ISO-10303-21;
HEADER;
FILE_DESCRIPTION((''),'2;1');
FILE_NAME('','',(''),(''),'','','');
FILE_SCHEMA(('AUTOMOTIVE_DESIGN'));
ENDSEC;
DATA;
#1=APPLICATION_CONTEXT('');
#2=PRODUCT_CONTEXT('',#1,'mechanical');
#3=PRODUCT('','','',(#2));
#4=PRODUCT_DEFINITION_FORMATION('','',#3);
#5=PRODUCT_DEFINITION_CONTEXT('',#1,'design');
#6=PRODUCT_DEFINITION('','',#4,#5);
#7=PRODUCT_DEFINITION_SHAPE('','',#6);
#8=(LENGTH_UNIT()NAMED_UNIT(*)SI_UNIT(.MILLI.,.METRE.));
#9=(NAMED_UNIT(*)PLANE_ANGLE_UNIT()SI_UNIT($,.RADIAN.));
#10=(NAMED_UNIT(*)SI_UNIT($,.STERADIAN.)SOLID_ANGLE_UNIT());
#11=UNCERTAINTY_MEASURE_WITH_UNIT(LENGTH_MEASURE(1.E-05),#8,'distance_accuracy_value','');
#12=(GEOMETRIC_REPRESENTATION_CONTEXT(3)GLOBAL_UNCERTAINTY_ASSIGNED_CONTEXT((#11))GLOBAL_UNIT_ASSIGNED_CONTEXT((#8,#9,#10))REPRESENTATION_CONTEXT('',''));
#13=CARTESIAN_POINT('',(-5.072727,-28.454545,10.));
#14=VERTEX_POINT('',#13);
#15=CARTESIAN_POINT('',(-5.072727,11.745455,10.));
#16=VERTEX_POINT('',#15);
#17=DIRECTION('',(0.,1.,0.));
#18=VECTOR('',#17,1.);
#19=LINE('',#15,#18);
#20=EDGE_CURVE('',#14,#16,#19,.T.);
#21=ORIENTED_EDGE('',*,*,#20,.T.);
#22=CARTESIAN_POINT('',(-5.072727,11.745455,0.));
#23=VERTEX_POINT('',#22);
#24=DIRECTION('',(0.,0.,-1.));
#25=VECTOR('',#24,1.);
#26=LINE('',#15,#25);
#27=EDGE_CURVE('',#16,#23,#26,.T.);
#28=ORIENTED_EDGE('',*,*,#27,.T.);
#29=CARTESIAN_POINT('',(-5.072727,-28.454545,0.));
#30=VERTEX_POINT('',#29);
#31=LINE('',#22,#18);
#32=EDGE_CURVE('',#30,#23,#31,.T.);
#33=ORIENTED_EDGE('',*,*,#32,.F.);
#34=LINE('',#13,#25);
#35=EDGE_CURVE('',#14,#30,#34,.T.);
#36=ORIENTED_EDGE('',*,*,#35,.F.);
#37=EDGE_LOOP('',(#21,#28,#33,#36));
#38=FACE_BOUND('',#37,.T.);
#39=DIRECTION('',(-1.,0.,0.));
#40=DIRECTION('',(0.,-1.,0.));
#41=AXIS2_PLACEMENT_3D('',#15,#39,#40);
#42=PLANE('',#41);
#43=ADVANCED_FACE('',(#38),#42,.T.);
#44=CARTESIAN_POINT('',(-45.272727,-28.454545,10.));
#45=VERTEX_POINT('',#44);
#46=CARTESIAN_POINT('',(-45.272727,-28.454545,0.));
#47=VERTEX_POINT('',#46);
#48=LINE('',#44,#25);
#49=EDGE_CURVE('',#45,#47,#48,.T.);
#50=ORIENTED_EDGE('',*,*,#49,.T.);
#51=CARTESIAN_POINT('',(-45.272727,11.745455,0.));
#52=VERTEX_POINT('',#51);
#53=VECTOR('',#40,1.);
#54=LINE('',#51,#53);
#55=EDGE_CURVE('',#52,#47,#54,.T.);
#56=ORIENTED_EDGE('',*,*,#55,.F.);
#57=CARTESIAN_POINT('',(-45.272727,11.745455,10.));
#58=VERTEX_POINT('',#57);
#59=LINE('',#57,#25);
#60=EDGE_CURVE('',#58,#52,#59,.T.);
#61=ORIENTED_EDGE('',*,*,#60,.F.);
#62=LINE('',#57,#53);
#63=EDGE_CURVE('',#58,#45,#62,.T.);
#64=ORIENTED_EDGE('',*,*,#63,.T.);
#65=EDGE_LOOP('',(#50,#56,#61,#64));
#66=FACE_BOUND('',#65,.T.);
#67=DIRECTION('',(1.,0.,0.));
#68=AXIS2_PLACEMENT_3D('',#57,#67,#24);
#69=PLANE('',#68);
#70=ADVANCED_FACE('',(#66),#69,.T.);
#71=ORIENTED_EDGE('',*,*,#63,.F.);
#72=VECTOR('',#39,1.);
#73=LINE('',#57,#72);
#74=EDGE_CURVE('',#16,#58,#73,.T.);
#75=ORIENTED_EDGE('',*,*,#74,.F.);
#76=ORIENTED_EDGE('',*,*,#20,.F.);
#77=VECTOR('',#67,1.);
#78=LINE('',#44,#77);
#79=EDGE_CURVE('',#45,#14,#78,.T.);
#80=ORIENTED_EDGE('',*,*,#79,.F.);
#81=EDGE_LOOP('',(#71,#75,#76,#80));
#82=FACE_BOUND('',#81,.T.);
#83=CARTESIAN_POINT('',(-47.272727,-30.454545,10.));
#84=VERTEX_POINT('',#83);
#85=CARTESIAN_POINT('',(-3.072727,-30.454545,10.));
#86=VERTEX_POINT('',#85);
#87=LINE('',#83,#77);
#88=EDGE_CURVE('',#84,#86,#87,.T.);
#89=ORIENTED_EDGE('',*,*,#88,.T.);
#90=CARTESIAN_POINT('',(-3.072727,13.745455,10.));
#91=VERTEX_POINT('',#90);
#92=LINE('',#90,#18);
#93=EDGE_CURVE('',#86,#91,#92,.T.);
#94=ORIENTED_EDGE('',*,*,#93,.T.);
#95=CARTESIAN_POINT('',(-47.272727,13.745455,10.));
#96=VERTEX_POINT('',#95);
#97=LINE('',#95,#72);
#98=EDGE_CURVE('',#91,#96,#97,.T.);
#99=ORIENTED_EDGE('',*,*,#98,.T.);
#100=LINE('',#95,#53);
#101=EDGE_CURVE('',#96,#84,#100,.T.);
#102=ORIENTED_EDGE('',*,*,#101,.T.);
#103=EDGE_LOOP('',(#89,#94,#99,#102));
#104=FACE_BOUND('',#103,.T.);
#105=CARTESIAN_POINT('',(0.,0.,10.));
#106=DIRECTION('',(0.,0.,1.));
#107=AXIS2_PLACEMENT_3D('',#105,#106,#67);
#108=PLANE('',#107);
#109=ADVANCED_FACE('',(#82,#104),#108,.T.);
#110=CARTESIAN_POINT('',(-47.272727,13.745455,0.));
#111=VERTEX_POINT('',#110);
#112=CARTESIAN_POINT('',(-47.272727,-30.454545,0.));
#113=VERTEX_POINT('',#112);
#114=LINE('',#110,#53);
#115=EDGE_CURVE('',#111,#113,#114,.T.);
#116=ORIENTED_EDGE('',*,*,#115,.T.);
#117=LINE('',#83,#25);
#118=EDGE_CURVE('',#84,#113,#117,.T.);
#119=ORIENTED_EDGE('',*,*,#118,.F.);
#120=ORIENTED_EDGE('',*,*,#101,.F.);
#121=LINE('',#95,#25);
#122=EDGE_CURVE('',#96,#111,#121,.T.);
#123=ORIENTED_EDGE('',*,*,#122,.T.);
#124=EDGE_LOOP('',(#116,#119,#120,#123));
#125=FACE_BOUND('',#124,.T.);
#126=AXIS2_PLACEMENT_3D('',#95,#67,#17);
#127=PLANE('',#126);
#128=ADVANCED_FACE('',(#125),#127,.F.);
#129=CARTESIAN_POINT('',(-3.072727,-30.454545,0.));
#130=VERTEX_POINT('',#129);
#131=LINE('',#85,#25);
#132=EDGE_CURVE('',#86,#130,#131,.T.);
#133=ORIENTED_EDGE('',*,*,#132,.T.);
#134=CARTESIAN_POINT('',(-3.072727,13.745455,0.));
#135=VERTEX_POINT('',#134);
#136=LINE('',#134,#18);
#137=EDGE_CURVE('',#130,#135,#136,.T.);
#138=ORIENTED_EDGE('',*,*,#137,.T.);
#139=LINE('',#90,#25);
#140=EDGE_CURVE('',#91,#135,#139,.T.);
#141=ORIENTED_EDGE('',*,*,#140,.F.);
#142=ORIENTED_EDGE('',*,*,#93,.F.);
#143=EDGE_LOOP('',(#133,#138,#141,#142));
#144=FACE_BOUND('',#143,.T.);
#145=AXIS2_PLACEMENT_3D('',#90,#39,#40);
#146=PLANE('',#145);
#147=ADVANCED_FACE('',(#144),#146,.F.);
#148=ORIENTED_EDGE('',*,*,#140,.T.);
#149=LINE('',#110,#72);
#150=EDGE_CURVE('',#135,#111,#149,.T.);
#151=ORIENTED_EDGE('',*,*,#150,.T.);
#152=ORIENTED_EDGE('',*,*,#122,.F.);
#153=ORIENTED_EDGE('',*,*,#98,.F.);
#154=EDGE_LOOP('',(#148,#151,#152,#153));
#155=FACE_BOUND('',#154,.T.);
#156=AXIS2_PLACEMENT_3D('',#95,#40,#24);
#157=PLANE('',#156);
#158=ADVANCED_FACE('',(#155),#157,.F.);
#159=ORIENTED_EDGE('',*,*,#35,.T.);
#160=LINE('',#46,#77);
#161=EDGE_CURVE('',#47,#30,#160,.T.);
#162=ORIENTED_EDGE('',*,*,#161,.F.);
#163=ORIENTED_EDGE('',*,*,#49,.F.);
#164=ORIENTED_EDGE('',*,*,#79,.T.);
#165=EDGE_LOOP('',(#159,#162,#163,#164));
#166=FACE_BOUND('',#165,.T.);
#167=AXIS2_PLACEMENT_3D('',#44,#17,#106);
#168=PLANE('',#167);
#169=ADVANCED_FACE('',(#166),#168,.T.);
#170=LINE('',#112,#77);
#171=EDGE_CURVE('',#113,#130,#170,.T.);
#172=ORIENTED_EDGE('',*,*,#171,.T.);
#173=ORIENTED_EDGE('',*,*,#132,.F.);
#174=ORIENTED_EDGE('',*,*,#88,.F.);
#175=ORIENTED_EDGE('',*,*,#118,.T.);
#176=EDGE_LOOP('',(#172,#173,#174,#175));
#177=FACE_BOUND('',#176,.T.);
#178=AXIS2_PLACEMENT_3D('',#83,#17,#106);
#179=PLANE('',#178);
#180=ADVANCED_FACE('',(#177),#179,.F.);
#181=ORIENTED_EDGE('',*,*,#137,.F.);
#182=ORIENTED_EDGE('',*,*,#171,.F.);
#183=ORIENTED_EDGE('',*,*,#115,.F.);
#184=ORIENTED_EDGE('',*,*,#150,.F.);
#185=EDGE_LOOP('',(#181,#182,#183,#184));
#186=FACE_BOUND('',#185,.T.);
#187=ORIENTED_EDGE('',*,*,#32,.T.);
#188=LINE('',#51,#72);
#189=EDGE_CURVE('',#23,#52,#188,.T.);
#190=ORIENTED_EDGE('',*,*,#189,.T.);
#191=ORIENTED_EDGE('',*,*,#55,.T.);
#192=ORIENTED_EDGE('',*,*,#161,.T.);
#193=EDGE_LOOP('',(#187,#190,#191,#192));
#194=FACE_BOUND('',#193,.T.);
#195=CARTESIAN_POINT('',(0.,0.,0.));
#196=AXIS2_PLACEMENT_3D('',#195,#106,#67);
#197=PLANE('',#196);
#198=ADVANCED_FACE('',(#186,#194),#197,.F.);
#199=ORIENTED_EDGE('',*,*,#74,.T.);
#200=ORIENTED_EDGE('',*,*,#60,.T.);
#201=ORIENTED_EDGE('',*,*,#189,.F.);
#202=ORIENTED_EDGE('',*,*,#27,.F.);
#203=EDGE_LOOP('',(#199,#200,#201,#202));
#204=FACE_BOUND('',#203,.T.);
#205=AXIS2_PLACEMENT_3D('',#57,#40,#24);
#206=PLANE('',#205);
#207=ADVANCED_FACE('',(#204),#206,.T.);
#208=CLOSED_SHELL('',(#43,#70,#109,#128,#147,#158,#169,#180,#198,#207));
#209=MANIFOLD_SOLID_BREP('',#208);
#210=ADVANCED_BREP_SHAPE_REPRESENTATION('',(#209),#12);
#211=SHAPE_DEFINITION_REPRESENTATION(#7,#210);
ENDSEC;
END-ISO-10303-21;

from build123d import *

# Parameters (mm, degrees)
SKETCH_1_W      = 44.2
SKETCH_1_H      = 44.2
SKETCH_1_W_2    = 40.2
SKETCH_1_H_2    = 40.2
EXTRUDE_1_DEPTH = 10


with BuildPart() as part:
    # 草图1 → 凸台-拉伸1 (new body)
    with BuildSketch(Plane.XY):
        with Locations((-25.172727273, -8.354545455)):
            Rectangle(SKETCH_1_W, SKETCH_1_H)
        with Locations((-25.172727273, -8.354545455)):
            Rectangle(SKETCH_1_W_2, SKETCH_1_H_2, mode=Mode.SUBTRACT)
    extrude(amount=EXTRUDE_1_DEPTH)


solid = part.part
